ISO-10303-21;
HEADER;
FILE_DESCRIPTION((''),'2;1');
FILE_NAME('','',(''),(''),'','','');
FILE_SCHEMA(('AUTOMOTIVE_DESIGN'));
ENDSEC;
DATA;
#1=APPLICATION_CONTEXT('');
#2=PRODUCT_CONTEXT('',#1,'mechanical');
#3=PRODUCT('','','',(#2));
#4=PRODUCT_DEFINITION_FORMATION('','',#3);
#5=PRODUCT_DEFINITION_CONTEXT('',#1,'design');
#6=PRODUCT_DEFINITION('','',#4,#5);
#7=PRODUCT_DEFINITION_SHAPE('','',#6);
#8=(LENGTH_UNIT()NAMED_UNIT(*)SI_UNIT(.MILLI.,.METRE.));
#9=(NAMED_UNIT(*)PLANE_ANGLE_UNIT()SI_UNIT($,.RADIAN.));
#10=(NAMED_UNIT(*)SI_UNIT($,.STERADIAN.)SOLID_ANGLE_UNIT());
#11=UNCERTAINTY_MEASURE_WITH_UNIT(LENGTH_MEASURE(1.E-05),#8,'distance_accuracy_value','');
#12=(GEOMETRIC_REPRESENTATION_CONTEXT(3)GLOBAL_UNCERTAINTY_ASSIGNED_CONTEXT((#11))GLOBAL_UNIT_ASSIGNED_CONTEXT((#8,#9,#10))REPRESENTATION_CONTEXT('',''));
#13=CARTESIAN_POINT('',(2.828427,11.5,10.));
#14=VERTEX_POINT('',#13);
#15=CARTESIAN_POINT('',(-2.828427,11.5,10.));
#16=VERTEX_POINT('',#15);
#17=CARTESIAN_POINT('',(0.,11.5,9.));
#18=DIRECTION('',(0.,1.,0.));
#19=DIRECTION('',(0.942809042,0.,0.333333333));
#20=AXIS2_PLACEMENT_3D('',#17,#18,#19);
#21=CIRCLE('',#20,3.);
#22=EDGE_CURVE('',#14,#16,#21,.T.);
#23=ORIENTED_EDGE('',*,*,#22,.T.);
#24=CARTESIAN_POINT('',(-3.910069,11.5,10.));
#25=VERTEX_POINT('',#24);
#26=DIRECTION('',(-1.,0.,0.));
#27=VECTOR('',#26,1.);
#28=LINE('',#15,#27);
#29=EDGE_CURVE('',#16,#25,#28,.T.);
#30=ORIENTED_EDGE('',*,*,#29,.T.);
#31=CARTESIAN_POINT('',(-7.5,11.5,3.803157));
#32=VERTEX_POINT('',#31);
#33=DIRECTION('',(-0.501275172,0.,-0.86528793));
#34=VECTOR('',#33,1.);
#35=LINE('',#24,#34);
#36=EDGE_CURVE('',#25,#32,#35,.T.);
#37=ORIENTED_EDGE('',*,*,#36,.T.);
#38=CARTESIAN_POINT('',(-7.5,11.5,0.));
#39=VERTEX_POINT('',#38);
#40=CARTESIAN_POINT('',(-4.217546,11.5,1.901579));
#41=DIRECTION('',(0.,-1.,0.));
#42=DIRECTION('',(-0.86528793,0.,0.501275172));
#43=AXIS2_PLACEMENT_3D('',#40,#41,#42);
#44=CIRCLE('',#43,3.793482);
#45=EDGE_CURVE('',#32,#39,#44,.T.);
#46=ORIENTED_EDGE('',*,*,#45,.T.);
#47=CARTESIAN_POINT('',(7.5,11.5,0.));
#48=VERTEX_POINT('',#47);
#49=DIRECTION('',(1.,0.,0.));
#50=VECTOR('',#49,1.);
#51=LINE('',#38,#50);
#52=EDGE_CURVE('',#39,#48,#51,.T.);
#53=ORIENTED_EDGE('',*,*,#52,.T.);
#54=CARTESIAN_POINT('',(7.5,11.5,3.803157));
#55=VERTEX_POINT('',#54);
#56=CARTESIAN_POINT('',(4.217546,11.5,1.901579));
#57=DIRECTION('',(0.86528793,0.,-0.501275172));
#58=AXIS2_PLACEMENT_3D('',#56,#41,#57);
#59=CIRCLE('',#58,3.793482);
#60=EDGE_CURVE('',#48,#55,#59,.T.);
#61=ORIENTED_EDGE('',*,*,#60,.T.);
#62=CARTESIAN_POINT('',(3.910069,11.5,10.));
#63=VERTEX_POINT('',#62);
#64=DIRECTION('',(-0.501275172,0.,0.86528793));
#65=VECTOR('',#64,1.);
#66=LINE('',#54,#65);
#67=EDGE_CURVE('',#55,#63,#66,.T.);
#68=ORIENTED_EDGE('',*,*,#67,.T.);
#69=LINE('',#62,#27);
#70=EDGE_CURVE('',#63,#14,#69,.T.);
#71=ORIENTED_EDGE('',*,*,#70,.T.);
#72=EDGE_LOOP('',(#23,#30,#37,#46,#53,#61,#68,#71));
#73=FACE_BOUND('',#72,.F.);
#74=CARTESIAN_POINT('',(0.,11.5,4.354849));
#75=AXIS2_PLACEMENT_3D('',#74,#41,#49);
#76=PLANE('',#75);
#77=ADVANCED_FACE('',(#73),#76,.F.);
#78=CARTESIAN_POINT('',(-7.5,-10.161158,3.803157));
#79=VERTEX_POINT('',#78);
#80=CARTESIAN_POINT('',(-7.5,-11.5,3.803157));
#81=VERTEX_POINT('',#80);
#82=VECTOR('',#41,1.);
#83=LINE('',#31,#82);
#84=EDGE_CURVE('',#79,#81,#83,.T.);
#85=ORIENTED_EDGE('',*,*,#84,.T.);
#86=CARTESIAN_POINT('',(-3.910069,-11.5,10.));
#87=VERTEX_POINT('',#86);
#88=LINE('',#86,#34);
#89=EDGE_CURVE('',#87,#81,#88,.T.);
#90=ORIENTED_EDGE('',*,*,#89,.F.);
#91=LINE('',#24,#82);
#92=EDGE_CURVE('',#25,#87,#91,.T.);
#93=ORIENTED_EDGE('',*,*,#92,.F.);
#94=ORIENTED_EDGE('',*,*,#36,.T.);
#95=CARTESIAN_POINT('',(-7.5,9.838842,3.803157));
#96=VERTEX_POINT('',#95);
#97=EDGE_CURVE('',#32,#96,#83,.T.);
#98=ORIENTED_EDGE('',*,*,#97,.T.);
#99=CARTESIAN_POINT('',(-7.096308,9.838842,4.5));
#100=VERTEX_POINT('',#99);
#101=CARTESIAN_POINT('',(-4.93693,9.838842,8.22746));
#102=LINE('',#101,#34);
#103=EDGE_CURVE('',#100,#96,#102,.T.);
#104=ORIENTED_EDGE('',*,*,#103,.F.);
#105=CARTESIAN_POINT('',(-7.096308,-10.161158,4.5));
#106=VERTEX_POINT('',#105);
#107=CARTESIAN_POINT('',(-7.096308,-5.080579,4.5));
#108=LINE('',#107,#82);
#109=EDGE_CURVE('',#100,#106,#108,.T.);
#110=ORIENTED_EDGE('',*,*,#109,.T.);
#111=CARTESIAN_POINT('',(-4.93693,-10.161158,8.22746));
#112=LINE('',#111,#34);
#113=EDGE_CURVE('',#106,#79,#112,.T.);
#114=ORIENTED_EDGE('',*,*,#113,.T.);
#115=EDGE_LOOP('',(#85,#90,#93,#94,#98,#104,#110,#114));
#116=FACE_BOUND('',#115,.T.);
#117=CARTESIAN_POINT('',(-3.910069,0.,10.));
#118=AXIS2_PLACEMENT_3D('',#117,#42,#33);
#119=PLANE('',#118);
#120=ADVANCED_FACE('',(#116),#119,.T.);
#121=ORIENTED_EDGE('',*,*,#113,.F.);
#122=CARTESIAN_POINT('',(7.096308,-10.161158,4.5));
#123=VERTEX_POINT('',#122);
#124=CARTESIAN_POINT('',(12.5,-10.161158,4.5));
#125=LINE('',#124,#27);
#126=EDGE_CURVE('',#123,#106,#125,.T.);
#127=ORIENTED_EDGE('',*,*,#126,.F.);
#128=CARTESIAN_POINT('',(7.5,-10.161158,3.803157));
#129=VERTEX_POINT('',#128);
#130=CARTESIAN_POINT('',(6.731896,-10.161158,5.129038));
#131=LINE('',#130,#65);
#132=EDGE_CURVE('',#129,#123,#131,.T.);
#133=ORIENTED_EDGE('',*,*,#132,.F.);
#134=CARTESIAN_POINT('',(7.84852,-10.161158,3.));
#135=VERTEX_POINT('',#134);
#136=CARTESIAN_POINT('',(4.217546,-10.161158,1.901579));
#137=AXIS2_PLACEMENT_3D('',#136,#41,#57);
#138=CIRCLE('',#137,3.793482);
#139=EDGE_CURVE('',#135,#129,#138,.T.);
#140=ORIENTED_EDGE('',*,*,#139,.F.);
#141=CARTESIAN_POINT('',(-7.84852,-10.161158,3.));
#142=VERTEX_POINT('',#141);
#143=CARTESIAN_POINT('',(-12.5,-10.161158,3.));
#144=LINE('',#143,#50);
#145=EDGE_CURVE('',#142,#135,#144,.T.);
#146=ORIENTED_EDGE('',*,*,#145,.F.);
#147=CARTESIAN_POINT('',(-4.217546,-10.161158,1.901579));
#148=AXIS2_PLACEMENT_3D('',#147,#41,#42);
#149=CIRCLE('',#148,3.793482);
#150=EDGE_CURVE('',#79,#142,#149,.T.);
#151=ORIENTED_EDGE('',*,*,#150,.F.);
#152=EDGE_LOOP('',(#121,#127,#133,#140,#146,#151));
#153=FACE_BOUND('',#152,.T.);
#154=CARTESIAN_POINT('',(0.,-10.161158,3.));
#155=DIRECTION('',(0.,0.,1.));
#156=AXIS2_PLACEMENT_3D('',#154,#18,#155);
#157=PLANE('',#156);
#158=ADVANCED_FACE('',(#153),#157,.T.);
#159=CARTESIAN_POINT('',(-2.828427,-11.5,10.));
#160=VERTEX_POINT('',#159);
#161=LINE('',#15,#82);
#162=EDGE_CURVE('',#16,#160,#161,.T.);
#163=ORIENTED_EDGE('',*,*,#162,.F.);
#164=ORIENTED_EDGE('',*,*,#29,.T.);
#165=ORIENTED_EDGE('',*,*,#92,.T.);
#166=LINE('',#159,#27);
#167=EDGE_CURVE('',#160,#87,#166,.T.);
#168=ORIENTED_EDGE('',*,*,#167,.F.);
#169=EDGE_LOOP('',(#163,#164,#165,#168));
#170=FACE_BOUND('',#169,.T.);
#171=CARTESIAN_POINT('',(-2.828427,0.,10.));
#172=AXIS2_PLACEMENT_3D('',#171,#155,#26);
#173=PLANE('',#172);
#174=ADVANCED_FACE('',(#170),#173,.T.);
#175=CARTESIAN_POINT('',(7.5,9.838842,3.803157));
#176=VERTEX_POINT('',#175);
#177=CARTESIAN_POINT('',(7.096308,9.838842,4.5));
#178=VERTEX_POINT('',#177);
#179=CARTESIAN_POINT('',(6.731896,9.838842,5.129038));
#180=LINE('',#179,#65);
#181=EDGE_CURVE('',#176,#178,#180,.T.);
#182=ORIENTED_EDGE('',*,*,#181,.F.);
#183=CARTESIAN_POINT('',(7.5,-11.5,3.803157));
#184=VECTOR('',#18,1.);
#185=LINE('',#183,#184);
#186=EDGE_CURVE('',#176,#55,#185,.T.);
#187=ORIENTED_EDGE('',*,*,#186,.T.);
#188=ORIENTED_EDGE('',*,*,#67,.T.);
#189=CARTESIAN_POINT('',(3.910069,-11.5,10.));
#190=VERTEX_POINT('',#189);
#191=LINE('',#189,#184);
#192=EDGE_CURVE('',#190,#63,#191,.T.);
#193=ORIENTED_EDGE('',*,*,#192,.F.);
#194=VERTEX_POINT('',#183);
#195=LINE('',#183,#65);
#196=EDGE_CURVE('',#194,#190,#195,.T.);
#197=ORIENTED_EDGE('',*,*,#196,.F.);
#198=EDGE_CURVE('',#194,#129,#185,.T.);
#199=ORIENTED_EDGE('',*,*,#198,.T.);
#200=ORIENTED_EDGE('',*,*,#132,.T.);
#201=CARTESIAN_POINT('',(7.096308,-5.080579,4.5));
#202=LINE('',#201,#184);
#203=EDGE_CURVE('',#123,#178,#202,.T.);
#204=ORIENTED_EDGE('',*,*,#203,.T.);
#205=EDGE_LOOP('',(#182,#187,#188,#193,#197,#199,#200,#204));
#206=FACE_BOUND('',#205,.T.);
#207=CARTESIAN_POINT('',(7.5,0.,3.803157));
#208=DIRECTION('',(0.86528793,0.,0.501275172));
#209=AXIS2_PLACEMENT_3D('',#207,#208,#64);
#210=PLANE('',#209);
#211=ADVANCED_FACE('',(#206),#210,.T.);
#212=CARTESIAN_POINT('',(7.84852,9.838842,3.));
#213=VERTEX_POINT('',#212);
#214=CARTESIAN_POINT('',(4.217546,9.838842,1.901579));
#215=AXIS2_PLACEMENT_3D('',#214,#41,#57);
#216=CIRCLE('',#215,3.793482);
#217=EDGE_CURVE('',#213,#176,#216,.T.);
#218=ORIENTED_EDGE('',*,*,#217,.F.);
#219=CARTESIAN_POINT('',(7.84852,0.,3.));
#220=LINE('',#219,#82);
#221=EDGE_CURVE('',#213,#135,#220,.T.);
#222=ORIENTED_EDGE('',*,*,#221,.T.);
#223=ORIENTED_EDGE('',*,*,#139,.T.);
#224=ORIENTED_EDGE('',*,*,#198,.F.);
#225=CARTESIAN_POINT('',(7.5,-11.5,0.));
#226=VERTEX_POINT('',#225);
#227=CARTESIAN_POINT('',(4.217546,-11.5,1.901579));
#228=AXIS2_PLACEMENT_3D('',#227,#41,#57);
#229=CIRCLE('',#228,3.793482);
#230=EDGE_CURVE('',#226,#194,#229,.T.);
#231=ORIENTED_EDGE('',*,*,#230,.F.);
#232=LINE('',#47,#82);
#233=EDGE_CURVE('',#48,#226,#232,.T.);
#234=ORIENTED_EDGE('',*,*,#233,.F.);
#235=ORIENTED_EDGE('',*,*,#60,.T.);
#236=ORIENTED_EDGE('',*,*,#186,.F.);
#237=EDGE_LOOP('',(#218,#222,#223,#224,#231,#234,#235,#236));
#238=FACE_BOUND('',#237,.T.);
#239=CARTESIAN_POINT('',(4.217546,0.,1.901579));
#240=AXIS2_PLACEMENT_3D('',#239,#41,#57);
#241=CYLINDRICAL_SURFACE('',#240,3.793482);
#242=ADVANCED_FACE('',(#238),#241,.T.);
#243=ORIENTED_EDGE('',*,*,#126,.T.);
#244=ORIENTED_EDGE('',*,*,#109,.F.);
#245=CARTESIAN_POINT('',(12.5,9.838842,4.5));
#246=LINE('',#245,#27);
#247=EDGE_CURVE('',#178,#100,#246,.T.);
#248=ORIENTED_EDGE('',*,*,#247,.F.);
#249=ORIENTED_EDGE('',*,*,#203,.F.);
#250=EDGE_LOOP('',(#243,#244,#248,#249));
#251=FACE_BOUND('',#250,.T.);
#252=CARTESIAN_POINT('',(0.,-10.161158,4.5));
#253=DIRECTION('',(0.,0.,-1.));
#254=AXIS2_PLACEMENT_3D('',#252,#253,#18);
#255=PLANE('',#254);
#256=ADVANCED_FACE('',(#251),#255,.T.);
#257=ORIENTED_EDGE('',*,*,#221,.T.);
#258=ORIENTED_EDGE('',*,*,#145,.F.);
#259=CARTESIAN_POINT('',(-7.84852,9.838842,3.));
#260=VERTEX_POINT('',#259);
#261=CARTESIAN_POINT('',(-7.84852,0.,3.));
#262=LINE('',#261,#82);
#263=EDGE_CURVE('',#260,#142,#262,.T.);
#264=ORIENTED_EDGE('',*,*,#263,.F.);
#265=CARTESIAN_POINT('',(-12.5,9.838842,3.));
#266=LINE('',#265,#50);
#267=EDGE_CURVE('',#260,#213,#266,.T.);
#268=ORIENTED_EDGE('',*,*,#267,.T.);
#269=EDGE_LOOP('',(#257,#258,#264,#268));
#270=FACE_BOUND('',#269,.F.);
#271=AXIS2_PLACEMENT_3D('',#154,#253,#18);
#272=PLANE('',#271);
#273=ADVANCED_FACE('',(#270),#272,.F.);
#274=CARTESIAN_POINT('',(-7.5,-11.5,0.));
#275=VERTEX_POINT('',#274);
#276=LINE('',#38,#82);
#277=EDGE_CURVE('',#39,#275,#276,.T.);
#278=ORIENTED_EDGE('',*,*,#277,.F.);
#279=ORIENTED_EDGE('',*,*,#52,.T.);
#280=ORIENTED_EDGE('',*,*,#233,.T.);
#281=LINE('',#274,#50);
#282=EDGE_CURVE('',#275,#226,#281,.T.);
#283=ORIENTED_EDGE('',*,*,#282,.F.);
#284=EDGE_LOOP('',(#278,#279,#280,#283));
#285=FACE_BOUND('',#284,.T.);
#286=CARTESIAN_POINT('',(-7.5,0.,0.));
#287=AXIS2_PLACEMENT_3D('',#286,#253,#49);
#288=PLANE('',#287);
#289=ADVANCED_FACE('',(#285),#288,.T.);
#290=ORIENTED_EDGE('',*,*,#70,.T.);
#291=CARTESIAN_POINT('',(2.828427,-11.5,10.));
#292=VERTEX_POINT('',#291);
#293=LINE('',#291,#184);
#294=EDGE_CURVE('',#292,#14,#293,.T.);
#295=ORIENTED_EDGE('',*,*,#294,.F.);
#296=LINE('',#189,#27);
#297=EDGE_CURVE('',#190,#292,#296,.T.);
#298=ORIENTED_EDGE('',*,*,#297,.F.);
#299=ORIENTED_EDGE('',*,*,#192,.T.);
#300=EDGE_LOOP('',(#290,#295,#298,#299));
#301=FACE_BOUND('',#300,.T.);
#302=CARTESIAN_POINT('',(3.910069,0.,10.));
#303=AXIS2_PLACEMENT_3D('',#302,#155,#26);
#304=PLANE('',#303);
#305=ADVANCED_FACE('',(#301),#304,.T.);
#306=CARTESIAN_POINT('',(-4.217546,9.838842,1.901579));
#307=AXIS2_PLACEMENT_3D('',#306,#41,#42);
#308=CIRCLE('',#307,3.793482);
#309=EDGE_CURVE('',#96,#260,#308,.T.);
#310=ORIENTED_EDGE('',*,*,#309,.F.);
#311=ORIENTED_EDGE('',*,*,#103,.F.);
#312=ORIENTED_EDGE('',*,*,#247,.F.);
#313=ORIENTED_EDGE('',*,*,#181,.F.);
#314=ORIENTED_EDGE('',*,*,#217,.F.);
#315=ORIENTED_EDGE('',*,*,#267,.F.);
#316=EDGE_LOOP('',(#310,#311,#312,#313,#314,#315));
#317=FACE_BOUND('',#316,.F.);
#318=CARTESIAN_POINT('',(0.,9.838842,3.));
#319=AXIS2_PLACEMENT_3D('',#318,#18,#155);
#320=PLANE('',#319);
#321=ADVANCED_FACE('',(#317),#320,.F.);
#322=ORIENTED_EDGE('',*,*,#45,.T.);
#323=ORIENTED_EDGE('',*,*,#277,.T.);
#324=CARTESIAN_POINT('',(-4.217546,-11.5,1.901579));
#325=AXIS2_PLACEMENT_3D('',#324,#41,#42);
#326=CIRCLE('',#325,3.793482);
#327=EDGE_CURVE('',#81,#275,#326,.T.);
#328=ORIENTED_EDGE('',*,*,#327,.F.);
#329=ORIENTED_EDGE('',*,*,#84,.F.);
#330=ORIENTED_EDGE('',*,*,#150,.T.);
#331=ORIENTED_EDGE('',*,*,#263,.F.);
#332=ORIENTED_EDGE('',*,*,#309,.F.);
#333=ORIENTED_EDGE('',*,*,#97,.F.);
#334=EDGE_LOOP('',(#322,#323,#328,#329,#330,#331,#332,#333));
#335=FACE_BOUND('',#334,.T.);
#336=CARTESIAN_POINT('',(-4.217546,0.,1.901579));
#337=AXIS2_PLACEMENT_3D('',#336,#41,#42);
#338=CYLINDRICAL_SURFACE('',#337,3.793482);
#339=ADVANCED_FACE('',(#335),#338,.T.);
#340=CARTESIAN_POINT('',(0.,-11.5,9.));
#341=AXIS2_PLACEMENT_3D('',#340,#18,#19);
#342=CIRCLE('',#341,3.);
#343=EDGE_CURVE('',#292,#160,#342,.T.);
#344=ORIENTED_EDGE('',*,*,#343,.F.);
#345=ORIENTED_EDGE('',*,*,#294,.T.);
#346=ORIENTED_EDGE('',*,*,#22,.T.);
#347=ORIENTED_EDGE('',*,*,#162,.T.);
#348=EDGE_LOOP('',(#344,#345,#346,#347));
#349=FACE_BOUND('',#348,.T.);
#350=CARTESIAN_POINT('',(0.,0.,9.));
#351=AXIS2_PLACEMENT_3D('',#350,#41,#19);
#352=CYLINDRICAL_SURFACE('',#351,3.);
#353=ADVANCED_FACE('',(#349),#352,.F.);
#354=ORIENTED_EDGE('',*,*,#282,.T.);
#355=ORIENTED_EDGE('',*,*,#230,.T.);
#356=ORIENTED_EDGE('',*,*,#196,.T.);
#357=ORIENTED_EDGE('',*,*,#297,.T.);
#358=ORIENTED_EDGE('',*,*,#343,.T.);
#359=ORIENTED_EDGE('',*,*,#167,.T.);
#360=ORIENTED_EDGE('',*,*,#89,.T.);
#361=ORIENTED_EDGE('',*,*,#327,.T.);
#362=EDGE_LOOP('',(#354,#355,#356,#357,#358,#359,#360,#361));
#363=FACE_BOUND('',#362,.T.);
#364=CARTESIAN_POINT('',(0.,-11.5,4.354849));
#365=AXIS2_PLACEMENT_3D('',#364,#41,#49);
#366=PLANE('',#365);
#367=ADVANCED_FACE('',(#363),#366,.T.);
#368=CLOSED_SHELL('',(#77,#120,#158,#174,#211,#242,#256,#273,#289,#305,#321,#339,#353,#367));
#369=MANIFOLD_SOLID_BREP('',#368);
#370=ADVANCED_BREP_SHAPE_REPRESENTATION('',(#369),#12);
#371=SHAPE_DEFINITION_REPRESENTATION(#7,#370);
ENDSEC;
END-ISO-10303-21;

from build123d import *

# Parameters (mm, degrees)
F2_DEPTH = 11.5
F3_W     = 20
F3_H     = 1.5
F4_DEPTH = 12.5


with BuildPart() as f2:
    # F1 (on Front) → F2 (new body, symmetric)
    with BuildSketch(Plane.XZ):
        with BuildLine():
            ThreePointArc((2.8284271247, 10), (0, 6), (-2.8284271247, 10))
            Line((-2.8284271247, 10), (-3.9100694971, 10))
            Line((-3.9100694971, 10), (-7.5, 3.8031570148))
            ThreePointArc((-7.5, 3.8031570148), (-8.011027857, 1.9015785074), (-7.5, 0))
            Line((-7.5, 0), (7.5, 0))
            ThreePointArc((7.5, 0), (8.011027857, 1.9015785074), (7.5, 3.8031570148))
            Line((7.5, 3.8031570148), (3.9100694971, 10))
            Line((3.9100694971, 10), (2.8284271247, 10))
        make_face()
    extrude(amount=F2_DEPTH, both=True)

    # F3 (on Right) → F4 (cut, symmetric)
    with BuildSketch(Plane.YZ):
        with Locations((-0.1611583866, 3.75)):
            Rectangle(F3_W, F3_H)
    extrude(amount=F4_DEPTH, both=True, mode=Mode.SUBTRACT)


solid = f2.part
